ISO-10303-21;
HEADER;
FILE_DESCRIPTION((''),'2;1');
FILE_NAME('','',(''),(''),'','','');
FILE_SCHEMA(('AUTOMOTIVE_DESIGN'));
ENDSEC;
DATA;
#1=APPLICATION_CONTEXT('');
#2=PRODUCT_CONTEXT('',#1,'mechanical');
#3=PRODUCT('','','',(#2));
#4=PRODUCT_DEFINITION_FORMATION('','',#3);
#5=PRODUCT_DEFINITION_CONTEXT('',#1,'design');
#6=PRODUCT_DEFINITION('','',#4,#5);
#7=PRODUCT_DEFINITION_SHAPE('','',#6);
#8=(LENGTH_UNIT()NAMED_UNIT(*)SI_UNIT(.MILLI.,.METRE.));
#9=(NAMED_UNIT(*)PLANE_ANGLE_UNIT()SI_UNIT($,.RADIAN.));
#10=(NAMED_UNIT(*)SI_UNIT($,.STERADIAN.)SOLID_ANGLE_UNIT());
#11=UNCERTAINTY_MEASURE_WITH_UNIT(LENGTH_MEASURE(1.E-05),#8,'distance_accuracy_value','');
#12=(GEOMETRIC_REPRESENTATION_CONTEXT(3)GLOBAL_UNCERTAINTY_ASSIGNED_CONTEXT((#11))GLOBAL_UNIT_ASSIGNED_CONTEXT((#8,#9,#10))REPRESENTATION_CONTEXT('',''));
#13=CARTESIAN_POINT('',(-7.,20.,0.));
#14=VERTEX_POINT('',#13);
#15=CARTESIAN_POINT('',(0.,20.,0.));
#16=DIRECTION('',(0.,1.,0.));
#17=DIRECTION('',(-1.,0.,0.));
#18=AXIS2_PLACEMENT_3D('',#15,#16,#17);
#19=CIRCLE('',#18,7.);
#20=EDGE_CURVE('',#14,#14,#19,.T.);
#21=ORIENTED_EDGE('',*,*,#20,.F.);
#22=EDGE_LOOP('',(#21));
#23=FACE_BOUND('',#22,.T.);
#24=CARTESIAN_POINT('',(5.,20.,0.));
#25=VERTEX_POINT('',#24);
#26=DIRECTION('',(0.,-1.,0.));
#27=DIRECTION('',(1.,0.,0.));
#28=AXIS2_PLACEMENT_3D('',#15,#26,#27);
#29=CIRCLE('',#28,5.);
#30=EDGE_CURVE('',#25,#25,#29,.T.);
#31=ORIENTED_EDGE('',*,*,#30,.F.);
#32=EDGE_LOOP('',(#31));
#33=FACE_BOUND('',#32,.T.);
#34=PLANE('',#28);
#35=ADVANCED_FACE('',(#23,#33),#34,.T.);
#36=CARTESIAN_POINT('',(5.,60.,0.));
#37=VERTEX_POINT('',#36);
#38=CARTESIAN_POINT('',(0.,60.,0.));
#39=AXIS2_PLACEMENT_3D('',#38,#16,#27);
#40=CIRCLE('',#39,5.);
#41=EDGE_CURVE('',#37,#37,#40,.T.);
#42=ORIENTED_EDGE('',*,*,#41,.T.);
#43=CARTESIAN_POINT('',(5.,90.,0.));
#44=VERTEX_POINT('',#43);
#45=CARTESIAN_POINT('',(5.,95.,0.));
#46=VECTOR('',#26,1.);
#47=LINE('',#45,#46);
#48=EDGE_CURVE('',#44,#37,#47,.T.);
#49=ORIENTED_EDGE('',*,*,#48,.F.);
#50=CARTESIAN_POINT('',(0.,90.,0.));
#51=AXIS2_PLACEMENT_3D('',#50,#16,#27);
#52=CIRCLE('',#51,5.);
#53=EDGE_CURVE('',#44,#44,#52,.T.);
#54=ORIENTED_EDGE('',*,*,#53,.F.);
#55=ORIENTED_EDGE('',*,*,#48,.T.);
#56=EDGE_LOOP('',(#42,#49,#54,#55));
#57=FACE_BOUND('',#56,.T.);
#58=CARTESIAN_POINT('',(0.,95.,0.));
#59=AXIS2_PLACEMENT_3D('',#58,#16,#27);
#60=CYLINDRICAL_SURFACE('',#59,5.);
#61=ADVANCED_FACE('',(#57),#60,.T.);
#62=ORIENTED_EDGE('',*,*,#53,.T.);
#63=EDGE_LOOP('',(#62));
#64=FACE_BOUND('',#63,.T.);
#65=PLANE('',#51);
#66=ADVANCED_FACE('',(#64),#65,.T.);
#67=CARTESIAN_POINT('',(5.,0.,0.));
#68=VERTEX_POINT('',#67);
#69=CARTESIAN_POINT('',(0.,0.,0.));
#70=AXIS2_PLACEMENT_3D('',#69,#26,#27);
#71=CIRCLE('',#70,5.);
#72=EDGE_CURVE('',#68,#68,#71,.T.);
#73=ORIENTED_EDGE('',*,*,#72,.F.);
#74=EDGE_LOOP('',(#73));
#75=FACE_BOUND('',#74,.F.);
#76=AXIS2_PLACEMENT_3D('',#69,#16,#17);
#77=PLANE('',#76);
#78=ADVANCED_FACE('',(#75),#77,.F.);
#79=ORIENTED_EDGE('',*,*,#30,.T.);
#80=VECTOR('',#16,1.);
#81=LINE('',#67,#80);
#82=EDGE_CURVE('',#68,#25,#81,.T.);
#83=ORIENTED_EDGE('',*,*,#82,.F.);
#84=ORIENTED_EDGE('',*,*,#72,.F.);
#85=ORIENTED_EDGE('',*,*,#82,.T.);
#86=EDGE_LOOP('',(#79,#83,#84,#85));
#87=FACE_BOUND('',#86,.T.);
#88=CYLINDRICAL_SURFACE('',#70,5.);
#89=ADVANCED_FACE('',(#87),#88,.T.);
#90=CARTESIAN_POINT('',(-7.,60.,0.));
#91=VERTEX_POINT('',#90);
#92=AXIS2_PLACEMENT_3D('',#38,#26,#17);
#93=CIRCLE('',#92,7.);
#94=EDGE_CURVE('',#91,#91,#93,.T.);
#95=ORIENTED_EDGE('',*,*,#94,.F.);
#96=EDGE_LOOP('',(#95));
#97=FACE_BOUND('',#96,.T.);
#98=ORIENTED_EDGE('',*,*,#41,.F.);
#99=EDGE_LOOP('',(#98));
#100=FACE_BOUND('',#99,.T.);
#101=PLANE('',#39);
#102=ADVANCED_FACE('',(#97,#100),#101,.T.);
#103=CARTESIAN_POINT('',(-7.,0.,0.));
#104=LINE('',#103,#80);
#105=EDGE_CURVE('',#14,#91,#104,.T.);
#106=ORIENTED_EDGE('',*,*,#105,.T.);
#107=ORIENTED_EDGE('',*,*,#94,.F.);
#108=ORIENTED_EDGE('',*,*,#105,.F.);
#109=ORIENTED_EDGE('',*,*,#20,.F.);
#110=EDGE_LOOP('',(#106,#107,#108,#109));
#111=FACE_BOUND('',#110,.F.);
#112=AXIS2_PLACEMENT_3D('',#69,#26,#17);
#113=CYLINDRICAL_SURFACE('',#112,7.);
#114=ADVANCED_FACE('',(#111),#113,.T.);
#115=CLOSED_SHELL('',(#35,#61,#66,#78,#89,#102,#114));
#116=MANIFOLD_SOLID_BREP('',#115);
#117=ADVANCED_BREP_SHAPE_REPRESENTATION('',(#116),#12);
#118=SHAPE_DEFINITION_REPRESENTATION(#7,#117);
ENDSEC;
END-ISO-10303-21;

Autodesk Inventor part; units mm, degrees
ref_plane "YZ Plane" through (0, 0, 0) normal (1, 0, 0) x (0, 1, 0)
ref_plane "XZ Plane" through (0, 0, 0) normal (0, 1, 0) x (-1, 0, 0)
ref_plane "XY Plane" through (0, 0, 0) normal (0, 0, 1) x (1, 0, 0)
sketch "Sketch1" plane through (0, 0, 0) normal (0, 1, 0) x (-1, 0, 0)
  circle A0 centre (0, 0) radius 7
  dimension "d0" = 14
extrude "Extrusion1" add sketch "Sketch1" along normal blind 95
sketch "Sketch2" plane through (0, 0, 0) normal (0, -1, 0) x (1, 0, 0)
  circle A0 centre (0, 0) radius 7
  circle A1 centre (0, 0) radius 5
  dimension "d3" = 10
extrude "Extrusion2" cut sketch "Sketch2" against normal blind 20
sketch "Sketch3" plane through (0, 95, 0) normal (0, 1, 0) x (1, 0, 0)
  circle A0 centre (0, 0) radius 7
  circle A1 centre (0, 0) radius 5
  dimension "d6" = 14
  dimension "d7" = 10
extrude "Extrusion3" cut sketch "Sketch3" against normal blind 35
sketch "Sketch4" plane through (0, 95, 0) normal (0, 1, 0) x (1, 0, 0)
  circle A0 centre (0, 0) radius 5
  dimension "d10" = 10
extrude "Extrusion4" cut sketch "Sketch4" against normal blind 5
properties part number "trucj-10"
